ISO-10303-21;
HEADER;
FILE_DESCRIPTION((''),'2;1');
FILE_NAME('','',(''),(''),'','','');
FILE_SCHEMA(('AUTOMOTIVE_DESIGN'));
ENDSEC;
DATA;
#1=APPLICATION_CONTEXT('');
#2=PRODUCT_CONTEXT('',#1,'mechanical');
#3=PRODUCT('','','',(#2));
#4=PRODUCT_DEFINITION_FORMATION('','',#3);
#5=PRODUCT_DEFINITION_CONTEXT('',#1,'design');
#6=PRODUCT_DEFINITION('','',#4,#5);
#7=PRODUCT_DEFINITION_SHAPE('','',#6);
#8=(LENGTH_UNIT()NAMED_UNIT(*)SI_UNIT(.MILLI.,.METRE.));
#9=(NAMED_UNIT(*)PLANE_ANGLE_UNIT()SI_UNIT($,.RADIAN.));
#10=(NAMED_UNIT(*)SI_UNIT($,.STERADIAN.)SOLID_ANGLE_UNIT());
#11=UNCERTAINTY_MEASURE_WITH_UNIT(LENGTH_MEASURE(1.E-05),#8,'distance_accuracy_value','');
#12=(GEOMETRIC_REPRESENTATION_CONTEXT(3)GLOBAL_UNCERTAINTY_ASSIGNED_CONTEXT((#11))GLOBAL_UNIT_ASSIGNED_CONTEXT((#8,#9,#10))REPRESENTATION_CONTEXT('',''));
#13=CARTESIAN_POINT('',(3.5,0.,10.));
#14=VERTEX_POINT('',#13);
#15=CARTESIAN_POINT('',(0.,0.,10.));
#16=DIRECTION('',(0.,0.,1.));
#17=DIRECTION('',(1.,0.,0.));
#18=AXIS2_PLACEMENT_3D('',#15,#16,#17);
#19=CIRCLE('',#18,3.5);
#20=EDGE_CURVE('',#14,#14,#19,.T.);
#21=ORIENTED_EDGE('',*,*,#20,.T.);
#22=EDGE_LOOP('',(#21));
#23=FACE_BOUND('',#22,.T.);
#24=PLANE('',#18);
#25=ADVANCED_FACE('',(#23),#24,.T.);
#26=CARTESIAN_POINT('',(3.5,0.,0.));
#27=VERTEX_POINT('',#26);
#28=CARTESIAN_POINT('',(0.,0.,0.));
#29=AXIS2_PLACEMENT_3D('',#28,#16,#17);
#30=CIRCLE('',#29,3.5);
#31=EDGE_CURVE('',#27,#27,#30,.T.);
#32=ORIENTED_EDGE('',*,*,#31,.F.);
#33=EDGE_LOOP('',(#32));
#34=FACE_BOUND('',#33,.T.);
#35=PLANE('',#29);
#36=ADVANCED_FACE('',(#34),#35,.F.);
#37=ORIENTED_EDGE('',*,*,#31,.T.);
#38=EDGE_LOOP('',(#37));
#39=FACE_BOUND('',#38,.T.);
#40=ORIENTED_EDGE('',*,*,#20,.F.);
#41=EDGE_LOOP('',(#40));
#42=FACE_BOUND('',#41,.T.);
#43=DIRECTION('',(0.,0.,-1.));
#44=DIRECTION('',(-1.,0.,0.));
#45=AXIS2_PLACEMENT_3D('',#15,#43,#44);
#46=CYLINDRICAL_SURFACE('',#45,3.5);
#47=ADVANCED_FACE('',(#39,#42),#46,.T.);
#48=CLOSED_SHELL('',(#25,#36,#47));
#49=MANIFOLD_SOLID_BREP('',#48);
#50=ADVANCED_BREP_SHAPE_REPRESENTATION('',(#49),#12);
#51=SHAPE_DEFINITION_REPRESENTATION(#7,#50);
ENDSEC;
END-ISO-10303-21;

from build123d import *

# Parameters (mm, degrees)
SKETCH1_R           = 3.5
BOSS_EXTRUDE1_DEPTH = 10


with BuildPart() as part:
    # Sketch1 → Boss-Extrude1 (new body)
    with BuildSketch(Plane.XY):
        Circle(SKETCH1_R)
    extrude(amount=BOSS_EXTRUDE1_DEPTH)


solid = part.part
